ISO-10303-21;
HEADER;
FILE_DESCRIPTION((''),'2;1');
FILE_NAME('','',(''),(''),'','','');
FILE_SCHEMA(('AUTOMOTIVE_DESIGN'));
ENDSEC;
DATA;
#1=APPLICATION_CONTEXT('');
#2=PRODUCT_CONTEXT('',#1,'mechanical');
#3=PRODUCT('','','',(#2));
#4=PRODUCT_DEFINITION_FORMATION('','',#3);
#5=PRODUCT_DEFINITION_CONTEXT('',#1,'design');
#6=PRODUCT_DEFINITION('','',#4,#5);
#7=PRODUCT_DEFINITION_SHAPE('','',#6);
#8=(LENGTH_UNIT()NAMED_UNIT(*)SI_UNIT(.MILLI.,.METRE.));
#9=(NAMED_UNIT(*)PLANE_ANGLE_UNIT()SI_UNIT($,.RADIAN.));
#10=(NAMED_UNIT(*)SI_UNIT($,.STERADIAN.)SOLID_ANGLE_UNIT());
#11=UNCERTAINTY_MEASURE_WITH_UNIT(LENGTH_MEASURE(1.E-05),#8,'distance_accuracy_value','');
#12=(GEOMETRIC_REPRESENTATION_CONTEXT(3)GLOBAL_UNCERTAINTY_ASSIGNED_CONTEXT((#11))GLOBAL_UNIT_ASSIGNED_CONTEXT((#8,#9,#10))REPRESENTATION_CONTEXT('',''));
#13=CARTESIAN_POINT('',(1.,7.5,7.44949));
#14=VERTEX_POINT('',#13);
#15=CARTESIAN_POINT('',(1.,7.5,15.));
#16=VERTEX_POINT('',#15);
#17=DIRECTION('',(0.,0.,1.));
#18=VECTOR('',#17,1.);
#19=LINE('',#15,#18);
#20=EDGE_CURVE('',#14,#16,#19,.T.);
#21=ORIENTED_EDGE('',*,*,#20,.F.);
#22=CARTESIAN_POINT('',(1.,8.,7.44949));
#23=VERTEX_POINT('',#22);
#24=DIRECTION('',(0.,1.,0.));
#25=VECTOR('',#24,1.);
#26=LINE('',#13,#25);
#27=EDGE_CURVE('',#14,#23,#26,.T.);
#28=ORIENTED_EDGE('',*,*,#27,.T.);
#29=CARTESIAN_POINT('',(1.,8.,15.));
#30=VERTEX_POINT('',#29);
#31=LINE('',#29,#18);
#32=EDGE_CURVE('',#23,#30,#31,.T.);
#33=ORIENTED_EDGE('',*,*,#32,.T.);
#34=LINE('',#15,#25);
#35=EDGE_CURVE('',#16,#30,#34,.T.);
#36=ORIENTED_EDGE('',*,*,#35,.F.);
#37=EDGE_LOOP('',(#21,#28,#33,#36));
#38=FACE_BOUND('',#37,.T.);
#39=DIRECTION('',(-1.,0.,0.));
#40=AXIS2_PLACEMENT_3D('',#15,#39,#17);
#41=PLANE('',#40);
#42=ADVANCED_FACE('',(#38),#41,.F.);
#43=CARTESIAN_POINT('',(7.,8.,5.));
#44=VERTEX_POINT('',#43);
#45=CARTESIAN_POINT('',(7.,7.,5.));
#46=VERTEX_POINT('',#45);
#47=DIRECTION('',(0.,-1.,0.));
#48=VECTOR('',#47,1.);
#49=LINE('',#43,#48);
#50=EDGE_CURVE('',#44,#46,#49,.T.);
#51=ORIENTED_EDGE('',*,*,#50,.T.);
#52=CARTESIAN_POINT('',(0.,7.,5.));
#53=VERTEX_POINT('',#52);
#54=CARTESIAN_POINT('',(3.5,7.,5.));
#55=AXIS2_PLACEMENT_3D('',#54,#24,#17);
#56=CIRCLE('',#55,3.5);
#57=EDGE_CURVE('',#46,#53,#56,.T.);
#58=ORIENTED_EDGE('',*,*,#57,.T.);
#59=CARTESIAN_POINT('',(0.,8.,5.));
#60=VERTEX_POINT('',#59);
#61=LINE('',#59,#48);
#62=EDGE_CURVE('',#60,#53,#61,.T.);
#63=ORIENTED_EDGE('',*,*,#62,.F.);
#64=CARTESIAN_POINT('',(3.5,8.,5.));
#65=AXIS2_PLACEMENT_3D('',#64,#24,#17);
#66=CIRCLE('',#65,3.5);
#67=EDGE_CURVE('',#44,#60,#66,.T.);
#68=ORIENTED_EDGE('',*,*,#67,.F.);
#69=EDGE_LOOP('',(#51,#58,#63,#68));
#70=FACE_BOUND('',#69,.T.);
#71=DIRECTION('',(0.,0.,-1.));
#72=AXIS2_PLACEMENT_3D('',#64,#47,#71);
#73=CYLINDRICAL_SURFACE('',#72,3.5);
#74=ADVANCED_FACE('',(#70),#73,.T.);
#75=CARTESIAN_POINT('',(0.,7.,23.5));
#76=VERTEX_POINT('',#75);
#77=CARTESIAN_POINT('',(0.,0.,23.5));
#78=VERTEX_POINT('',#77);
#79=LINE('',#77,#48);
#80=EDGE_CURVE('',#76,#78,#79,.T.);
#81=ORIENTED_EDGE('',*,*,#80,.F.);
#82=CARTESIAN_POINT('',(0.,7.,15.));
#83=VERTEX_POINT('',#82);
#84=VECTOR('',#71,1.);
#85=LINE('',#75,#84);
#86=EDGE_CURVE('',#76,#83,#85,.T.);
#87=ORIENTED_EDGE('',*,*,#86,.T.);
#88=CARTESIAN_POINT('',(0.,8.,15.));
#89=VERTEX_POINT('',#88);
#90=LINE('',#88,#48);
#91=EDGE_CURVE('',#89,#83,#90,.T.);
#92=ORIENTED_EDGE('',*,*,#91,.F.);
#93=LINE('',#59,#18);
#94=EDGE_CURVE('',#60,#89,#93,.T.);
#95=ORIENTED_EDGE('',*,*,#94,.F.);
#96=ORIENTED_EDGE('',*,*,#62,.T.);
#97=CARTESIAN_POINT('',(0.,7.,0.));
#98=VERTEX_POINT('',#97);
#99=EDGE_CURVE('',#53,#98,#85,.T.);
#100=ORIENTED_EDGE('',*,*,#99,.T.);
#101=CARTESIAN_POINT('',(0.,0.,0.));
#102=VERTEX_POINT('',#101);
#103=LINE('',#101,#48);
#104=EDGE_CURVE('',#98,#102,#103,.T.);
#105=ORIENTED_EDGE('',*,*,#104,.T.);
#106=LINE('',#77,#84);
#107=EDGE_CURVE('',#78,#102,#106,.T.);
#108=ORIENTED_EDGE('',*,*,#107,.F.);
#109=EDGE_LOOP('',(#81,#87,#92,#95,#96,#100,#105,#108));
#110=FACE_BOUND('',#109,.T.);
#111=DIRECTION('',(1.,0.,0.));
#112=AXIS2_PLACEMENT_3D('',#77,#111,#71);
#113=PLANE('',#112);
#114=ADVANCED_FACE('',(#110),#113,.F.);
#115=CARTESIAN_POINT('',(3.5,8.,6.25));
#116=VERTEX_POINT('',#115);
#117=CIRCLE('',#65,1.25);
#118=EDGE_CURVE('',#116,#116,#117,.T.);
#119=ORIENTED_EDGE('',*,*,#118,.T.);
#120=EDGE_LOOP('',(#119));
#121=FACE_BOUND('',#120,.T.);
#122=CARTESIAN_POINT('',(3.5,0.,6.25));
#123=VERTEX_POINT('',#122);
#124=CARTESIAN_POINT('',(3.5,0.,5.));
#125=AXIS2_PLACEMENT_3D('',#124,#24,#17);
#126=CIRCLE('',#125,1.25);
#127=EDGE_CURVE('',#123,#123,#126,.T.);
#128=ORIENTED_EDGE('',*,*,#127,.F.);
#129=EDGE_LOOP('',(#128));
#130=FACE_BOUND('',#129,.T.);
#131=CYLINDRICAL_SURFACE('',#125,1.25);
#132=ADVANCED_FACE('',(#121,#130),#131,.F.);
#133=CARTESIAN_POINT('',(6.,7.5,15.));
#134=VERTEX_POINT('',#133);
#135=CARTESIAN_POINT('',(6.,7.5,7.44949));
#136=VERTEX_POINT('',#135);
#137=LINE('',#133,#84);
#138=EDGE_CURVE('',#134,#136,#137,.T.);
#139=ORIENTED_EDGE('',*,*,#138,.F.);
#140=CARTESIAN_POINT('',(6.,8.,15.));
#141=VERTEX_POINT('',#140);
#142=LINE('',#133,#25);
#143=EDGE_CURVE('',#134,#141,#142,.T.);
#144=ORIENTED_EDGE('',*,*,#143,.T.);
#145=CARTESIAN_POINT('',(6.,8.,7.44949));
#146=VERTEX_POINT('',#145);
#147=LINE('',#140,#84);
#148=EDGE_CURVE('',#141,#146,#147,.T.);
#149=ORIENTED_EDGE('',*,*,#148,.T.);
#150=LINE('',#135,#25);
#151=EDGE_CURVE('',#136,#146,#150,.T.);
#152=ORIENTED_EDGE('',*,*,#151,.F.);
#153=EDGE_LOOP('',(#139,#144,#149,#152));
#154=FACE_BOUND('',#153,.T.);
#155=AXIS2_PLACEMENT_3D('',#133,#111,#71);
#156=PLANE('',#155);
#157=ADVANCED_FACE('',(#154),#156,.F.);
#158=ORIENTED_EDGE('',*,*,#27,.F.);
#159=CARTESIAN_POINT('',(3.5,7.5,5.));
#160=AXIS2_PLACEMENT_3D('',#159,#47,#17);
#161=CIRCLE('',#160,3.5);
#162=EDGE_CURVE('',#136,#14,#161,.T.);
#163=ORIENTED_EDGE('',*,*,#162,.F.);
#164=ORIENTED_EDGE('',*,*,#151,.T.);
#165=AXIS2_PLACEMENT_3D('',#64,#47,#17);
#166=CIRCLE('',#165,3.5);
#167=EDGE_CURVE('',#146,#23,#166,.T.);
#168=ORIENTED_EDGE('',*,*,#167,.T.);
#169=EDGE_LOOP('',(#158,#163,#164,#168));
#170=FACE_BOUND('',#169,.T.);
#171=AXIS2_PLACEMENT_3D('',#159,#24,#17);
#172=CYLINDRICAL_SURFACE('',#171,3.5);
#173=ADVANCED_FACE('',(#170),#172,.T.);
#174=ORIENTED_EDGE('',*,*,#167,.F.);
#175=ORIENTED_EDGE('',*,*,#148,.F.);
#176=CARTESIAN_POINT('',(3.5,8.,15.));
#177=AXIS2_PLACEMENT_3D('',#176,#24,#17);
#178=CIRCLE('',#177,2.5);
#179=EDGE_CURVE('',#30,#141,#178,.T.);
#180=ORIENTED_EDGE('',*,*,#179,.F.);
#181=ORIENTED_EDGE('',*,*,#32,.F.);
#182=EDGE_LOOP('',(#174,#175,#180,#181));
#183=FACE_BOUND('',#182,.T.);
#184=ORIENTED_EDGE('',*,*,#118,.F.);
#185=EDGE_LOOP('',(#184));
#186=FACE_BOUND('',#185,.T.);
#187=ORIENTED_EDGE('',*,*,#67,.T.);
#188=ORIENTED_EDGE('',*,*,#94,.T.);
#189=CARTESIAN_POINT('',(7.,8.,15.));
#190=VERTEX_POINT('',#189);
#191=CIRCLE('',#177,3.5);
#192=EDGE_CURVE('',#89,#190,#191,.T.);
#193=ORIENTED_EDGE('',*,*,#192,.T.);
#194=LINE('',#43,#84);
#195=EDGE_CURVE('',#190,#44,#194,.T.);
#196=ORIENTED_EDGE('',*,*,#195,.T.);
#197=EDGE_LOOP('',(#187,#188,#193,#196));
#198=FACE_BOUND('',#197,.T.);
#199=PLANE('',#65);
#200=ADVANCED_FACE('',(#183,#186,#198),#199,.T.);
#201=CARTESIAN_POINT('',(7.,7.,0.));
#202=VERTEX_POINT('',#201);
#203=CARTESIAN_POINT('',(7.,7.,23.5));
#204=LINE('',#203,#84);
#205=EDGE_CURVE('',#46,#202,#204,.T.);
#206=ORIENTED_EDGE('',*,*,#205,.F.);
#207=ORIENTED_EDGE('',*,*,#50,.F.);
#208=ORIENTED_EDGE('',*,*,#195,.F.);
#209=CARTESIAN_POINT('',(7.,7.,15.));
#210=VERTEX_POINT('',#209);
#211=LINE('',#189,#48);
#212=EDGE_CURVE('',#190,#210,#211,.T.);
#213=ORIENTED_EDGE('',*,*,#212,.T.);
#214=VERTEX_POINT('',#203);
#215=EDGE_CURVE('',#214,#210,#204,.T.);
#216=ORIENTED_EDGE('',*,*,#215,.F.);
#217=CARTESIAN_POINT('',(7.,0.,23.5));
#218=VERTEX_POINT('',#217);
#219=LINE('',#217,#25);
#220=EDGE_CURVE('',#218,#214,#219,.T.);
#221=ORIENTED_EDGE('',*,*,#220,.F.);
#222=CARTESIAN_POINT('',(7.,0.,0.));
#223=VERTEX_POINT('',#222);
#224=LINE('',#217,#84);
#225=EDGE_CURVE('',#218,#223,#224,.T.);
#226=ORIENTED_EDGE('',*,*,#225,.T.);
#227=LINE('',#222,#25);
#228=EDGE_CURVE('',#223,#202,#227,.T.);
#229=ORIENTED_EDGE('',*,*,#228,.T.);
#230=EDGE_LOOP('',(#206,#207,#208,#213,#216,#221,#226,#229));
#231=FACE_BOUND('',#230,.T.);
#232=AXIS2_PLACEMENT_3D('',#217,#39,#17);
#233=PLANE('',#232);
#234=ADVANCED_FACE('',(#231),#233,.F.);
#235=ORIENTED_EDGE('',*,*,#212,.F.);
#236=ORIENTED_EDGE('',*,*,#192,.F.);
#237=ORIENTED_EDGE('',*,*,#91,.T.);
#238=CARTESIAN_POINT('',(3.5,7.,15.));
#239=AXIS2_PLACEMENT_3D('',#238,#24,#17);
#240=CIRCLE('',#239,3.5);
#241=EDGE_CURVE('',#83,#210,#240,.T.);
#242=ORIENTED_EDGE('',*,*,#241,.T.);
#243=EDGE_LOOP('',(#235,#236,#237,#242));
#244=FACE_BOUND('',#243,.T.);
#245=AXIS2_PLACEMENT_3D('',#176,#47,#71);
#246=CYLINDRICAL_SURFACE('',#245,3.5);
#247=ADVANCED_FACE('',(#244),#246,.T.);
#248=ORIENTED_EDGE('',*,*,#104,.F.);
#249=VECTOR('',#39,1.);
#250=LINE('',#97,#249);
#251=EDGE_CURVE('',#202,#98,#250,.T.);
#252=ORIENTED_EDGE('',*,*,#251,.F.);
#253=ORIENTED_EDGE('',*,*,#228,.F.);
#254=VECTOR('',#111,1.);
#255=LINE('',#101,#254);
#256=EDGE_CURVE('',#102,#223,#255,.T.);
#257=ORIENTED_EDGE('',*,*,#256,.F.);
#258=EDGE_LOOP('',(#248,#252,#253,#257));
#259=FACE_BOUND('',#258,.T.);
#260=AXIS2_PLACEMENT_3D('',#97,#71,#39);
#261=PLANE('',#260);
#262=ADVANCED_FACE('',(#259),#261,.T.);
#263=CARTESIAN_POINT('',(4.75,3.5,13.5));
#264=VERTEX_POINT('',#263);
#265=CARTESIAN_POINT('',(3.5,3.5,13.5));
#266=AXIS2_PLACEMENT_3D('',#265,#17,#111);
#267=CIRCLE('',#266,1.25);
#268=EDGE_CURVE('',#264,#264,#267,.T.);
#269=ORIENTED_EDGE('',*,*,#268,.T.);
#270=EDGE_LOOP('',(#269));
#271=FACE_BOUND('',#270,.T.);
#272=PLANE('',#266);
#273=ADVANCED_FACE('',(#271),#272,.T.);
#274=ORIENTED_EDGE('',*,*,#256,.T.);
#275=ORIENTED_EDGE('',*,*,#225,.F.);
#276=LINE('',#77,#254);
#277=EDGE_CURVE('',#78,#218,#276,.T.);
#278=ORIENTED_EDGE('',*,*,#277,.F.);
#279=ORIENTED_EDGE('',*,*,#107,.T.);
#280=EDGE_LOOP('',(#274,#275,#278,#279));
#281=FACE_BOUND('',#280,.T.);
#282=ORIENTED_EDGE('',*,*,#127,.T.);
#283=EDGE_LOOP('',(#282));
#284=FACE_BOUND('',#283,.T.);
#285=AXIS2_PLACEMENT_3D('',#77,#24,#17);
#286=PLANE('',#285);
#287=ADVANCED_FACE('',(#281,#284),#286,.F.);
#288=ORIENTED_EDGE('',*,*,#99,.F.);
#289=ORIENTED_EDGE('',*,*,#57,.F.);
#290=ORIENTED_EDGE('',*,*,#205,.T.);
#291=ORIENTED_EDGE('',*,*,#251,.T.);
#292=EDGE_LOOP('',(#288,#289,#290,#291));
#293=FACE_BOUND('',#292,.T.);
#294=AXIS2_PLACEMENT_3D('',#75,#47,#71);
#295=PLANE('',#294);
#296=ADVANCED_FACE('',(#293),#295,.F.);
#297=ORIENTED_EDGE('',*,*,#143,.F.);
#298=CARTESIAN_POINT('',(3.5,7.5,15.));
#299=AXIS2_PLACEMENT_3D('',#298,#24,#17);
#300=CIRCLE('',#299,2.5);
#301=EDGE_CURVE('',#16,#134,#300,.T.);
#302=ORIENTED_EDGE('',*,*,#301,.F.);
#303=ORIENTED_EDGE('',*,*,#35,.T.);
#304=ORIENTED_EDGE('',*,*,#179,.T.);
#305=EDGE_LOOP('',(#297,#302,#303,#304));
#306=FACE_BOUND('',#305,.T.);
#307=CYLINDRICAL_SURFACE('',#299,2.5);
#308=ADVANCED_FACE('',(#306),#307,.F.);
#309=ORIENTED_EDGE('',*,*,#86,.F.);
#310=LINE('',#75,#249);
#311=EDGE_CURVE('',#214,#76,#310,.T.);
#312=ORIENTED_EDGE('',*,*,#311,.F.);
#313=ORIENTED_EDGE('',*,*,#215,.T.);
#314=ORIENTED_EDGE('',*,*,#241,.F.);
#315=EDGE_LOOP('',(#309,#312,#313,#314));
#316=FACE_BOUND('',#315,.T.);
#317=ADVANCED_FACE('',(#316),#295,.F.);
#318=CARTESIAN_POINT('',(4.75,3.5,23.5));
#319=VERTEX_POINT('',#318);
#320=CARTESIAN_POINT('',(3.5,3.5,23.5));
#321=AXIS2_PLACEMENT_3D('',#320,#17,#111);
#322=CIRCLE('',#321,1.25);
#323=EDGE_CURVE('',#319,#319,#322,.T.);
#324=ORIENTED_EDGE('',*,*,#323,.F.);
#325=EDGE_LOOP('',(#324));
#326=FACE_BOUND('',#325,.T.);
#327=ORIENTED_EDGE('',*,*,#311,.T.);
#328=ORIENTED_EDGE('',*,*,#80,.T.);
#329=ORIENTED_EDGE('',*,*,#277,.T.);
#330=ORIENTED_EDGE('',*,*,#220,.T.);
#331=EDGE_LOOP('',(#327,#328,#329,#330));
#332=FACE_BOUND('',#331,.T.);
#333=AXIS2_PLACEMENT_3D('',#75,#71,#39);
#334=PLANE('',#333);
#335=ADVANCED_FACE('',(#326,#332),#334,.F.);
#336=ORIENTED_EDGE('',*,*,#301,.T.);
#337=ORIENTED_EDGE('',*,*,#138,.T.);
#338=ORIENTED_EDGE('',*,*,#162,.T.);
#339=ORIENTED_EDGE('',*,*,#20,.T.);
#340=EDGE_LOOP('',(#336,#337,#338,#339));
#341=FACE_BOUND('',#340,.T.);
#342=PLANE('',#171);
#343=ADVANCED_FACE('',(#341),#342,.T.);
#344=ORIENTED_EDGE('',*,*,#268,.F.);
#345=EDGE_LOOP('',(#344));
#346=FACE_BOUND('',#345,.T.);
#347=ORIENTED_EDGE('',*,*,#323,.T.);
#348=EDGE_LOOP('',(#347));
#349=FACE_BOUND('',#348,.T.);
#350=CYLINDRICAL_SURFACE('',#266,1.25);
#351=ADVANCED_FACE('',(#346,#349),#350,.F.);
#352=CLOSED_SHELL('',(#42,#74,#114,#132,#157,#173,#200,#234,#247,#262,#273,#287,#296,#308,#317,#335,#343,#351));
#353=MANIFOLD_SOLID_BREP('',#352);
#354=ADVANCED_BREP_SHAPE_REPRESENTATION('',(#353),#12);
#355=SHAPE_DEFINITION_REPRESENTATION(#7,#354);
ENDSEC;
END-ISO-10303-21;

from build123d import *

# Parameters (mm, degrees)
ESQUISSE1_W             = 7
ESQUISSE1_H             = 7
BASE_EXTRUSION_DEPTH    = 23.5
BOSS_EXTRU_1_DEPTH      = 1
ESQUISSE3_R             = 1.25
ENL_V_MAT_EXTRU_1_DEPTH = 9
ENL_V_MAT_EXTRU_2_DEPTH = 0.5
ESQUISSE5_R             = 1.25
ENL_V_MAT_EXTRU_3_DEPTH = 10


with BuildPart() as part:
    # Esquisse1 → Base-Extrusion (new body)
    with BuildSketch(Plane.XY):
        with Locations((3.5, 3.5)):
            Rectangle(ESQUISSE1_W, ESQUISSE1_H)
    extrude(amount=BASE_EXTRUSION_DEPTH)

    # Esquisse2 → Boss.-Extru.1 (add)
    with BuildSketch(Plane(origin=(0, 7, 0), x_dir=(-1, 0, 0), z_dir=(0, 1, 0))):
        with BuildLine():
            Line((0, 5), (0, 15))
            ThreePointArc((0, 15), (-3.5, 18.5), (-7, 15))
            Line((-7, 15), (-7, 5))
            ThreePointArc((-7, 5), (-3.5, 1.5), (0, 5))
        make_face()
    extrude(amount=BOSS_EXTRU_1_DEPTH)

    # Esquisse3 → Enlèv. mat.-Extru.1 (cut, through all)
    with BuildSketch(Plane(origin=(0, 8, 0), x_dir=(-1, 0, 0), z_dir=(0, 1, 0))):
        with Locations((-3.5, 5)):
            Circle(ESQUISSE3_R)
    extrude(amount=-ENL_V_MAT_EXTRU_1_DEPTH, mode=Mode.SUBTRACT)

    # Esquisse4 → Enlèv. mat.-Extru.2 (cut)
    with BuildSketch(Plane(origin=(0, 8, 0), x_dir=(-1, 0, 0), z_dir=(0, 1, 0))):
        with BuildLine():
            Line((-1, 15), (-1, 7.449489743))
            ThreePointArc((-1, 7.449489743), (-3.5, 8.5), (-6, 7.449489743))
            Line((-6, 7.449489743), (-6, 15))
            ThreePointArc((-6, 15), (-3.5, 17.5), (-1, 15))
        make_face()
    extrude(amount=-ENL_V_MAT_EXTRU_2_DEPTH, mode=Mode.SUBTRACT)

    # Esquisse5 → Enlèv. mat.-Extru.3 (cut)
    with BuildSketch(Plane.XY.offset(23.5)):
        with Locations((3.5, 3.5)):
            Circle(ESQUISSE5_R)
    extrude(amount=-ENL_V_MAT_EXTRU_3_DEPTH, mode=Mode.SUBTRACT)


solid = part.part
